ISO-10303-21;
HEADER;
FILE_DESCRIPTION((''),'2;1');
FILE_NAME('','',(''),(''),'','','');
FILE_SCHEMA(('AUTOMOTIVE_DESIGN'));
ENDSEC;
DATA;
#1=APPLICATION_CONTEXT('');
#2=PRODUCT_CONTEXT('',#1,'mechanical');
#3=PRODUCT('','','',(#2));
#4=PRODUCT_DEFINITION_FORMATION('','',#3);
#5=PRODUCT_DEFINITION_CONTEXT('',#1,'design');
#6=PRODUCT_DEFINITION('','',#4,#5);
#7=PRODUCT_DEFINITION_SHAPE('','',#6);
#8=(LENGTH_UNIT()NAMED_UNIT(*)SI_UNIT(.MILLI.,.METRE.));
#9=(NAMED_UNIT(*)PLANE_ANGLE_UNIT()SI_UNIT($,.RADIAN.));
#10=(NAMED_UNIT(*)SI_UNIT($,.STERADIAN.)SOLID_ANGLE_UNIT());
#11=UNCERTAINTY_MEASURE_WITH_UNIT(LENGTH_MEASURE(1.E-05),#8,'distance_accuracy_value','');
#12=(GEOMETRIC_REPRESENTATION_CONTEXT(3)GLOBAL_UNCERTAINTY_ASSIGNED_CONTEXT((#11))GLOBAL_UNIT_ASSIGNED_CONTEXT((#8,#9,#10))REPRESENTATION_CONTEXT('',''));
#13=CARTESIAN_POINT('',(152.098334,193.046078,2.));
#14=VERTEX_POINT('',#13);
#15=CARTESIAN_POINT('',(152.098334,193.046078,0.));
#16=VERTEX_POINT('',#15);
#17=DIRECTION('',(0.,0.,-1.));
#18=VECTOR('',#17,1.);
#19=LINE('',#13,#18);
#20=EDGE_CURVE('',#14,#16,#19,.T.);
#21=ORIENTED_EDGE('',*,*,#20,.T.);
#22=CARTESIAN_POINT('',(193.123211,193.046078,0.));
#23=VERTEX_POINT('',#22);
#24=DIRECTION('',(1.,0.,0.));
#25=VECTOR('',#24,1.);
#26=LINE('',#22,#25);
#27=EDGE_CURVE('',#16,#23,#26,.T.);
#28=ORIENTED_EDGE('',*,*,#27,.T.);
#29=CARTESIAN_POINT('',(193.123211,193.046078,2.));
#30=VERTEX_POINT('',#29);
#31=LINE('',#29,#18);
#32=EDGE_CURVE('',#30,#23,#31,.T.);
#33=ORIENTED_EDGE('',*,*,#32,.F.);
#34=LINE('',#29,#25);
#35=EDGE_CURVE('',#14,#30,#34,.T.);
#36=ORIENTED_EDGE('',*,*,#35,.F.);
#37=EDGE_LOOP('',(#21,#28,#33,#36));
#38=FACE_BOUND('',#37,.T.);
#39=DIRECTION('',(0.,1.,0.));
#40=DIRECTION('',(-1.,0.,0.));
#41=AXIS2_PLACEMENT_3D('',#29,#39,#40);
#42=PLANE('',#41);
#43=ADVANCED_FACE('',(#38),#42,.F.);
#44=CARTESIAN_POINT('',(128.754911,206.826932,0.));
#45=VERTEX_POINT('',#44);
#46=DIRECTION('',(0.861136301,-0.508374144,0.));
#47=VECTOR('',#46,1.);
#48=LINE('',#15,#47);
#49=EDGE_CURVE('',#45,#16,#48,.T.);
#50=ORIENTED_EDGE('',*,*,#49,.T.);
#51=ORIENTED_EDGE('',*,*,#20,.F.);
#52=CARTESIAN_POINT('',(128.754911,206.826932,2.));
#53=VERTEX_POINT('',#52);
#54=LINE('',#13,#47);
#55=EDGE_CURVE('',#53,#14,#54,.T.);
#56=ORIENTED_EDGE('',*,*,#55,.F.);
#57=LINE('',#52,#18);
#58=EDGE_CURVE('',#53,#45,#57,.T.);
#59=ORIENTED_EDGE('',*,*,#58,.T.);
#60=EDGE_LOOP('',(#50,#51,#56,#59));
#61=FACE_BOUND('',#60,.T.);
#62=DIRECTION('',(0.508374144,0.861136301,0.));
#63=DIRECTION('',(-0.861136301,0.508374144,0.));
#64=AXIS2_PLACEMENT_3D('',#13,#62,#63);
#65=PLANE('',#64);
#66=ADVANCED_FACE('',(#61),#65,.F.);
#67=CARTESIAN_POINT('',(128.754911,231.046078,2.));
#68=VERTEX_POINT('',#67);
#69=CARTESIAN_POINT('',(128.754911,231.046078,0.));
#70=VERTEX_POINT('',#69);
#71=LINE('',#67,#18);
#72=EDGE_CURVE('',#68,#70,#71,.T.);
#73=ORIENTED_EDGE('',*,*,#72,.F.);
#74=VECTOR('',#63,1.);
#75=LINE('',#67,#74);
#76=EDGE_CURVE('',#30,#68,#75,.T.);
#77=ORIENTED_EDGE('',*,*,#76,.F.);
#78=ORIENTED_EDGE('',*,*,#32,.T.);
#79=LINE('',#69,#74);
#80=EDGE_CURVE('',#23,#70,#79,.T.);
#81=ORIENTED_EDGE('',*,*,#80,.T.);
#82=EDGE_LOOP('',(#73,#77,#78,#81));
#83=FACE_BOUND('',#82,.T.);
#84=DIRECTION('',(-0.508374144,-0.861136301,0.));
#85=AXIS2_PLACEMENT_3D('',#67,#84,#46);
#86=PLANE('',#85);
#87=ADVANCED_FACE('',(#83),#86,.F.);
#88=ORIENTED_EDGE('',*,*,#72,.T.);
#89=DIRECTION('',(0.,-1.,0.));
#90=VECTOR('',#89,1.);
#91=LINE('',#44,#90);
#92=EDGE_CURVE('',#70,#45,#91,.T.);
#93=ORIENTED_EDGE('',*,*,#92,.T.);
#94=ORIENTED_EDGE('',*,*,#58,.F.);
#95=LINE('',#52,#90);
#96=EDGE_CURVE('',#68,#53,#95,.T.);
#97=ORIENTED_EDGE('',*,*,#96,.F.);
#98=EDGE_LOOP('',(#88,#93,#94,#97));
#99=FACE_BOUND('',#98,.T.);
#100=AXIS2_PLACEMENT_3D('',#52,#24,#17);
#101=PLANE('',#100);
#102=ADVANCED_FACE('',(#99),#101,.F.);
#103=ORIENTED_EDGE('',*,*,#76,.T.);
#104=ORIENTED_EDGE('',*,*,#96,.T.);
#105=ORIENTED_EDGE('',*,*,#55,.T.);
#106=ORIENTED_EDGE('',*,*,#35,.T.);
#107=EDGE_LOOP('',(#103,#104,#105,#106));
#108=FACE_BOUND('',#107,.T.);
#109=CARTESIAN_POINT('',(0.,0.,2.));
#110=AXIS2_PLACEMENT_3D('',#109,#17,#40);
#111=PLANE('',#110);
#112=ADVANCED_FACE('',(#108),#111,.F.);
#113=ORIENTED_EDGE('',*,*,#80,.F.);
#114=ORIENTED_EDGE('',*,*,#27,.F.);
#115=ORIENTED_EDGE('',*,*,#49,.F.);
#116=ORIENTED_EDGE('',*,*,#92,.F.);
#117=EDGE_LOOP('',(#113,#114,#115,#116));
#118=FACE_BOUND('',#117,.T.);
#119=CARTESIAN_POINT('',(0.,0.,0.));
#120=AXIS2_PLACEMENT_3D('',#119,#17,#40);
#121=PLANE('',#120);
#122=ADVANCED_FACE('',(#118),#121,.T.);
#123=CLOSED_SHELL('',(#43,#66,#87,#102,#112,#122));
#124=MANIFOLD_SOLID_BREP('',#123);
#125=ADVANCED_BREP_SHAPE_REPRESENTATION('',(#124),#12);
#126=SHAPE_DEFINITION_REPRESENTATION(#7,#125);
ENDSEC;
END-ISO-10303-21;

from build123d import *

# Parameters (mm, degrees)
BOSS_EXTRUDE2_DEPTH = 2


with BuildPart() as part:
    # Sketch1 → Boss-Extrude2 (new body)
    with BuildSketch(Plane.XY):
        Polygon((128.754910615, 231.046078464), (193.123210615, 193.046078464), (152.098334087, 193.046078464), (128.754910615, 206.826931647), align=None)
    extrude(amount=BOSS_EXTRUDE2_DEPTH)


solid = part.part
